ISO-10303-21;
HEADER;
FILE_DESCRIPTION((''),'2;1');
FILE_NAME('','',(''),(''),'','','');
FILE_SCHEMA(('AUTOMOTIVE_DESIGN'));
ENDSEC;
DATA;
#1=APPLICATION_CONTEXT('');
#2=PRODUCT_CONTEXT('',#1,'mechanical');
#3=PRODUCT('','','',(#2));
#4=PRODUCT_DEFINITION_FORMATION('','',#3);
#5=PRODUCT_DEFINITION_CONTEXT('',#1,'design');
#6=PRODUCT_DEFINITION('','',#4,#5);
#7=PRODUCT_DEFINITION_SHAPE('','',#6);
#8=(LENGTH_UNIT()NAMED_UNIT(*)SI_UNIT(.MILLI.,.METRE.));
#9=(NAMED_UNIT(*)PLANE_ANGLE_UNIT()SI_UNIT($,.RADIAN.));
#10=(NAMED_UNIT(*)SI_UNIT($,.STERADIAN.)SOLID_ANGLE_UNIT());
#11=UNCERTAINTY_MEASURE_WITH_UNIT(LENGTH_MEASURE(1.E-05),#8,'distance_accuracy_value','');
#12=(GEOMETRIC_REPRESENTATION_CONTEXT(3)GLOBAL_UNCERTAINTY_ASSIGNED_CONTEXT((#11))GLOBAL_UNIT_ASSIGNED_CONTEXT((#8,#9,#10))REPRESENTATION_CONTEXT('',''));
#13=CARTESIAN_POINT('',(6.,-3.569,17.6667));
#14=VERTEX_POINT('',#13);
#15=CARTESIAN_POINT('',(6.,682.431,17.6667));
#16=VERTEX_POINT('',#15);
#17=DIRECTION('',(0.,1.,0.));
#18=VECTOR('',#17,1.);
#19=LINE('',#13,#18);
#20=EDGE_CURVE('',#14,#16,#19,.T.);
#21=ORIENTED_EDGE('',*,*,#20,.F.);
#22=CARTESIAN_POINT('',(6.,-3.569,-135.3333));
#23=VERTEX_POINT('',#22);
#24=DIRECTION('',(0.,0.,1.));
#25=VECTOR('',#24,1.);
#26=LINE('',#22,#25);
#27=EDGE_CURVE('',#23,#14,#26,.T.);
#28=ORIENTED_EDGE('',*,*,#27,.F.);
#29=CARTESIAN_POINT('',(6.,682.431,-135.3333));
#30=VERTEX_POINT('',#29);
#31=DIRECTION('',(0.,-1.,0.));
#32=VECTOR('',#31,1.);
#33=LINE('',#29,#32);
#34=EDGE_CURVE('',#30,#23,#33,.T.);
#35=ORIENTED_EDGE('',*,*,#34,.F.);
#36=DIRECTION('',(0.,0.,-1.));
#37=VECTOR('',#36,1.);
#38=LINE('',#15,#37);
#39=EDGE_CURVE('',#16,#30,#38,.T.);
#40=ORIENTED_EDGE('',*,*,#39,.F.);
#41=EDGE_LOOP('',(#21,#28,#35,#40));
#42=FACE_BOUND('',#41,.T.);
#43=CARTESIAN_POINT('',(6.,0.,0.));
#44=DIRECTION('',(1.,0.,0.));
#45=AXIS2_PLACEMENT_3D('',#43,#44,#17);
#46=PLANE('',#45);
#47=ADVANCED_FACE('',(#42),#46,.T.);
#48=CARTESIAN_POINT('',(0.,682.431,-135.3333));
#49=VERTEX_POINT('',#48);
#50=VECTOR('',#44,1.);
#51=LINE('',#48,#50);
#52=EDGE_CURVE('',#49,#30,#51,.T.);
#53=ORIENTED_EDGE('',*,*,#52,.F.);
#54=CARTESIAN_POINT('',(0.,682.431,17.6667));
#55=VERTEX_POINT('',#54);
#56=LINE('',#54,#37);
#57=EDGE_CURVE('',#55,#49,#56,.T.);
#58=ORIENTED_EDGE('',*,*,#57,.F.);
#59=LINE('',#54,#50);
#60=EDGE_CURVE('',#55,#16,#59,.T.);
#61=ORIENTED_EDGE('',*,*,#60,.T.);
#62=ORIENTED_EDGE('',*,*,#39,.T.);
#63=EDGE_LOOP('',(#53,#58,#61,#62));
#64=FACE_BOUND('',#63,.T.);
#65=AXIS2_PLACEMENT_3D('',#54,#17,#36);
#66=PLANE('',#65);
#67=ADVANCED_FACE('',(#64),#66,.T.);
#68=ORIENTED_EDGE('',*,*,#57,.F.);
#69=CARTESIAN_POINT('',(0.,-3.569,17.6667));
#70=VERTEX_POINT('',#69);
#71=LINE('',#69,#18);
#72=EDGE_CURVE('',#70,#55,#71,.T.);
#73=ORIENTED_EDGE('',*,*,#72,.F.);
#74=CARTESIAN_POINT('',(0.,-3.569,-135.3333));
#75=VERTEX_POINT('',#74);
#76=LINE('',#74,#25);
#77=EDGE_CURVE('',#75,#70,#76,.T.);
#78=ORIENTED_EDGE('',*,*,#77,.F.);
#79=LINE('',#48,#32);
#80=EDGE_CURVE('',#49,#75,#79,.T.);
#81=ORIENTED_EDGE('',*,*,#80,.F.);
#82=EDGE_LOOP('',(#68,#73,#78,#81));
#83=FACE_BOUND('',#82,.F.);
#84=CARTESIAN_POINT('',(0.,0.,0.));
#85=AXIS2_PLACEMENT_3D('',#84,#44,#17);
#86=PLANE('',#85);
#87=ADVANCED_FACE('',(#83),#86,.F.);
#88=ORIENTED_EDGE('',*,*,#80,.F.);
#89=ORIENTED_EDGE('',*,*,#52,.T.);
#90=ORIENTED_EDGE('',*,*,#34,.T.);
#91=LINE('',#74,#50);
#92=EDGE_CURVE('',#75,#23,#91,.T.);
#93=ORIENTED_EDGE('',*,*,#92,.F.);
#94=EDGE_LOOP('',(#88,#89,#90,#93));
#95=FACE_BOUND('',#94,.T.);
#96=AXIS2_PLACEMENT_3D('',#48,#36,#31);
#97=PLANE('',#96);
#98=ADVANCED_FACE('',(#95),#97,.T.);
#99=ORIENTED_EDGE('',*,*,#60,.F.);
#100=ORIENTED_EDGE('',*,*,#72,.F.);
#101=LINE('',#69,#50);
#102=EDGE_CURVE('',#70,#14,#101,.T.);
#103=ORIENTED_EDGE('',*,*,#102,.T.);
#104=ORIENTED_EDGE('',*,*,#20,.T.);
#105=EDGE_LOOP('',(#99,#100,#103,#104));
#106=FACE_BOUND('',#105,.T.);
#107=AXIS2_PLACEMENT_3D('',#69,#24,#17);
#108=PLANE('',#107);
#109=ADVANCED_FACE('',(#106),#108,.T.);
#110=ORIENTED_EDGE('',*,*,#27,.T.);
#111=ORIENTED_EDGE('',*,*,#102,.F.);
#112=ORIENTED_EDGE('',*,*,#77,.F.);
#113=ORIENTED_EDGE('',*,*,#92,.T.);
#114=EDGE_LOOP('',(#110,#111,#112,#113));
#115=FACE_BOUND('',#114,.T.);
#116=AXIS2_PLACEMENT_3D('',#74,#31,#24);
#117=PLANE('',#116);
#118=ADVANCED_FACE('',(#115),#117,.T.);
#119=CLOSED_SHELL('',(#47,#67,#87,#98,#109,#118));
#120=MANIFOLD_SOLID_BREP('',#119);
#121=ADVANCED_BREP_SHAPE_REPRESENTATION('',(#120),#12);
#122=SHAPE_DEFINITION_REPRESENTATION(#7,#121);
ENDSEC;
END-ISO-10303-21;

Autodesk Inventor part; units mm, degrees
ref_plane "YZ Plane" through (0, 0, 0) normal (1, 0, 0) x (0, 1, 0)
ref_plane "XZ Plane" through (0, 0, 0) normal (0, 1, 0) x (-1, 0, 0)
ref_plane "XY Plane" through (0, 0, 0) normal (0, 0, 1) x (1, 0, 0)
sketch "Sketch1" plane through (0, 0, 0) normal (1, 0, 0) x (0, 1, 0)
  line L0 (-3.569, 17.6667) -> (682.431, 17.6667)
  line L1 (682.431, 17.6667) -> (682.431, -135.3333)
  line L2 (682.431, -135.3333) -> (-3.569, -135.3333)
  line L3 (-3.569, -135.3333) -> (-3.569, 17.6667)
  point P0 (0, 0)
  dimension "b" = 686
  dimension "d1" = 153
extrude "Extrusion1" add sketch "Sketch1" along normal blind 6
properties part number "CUT PART C"
